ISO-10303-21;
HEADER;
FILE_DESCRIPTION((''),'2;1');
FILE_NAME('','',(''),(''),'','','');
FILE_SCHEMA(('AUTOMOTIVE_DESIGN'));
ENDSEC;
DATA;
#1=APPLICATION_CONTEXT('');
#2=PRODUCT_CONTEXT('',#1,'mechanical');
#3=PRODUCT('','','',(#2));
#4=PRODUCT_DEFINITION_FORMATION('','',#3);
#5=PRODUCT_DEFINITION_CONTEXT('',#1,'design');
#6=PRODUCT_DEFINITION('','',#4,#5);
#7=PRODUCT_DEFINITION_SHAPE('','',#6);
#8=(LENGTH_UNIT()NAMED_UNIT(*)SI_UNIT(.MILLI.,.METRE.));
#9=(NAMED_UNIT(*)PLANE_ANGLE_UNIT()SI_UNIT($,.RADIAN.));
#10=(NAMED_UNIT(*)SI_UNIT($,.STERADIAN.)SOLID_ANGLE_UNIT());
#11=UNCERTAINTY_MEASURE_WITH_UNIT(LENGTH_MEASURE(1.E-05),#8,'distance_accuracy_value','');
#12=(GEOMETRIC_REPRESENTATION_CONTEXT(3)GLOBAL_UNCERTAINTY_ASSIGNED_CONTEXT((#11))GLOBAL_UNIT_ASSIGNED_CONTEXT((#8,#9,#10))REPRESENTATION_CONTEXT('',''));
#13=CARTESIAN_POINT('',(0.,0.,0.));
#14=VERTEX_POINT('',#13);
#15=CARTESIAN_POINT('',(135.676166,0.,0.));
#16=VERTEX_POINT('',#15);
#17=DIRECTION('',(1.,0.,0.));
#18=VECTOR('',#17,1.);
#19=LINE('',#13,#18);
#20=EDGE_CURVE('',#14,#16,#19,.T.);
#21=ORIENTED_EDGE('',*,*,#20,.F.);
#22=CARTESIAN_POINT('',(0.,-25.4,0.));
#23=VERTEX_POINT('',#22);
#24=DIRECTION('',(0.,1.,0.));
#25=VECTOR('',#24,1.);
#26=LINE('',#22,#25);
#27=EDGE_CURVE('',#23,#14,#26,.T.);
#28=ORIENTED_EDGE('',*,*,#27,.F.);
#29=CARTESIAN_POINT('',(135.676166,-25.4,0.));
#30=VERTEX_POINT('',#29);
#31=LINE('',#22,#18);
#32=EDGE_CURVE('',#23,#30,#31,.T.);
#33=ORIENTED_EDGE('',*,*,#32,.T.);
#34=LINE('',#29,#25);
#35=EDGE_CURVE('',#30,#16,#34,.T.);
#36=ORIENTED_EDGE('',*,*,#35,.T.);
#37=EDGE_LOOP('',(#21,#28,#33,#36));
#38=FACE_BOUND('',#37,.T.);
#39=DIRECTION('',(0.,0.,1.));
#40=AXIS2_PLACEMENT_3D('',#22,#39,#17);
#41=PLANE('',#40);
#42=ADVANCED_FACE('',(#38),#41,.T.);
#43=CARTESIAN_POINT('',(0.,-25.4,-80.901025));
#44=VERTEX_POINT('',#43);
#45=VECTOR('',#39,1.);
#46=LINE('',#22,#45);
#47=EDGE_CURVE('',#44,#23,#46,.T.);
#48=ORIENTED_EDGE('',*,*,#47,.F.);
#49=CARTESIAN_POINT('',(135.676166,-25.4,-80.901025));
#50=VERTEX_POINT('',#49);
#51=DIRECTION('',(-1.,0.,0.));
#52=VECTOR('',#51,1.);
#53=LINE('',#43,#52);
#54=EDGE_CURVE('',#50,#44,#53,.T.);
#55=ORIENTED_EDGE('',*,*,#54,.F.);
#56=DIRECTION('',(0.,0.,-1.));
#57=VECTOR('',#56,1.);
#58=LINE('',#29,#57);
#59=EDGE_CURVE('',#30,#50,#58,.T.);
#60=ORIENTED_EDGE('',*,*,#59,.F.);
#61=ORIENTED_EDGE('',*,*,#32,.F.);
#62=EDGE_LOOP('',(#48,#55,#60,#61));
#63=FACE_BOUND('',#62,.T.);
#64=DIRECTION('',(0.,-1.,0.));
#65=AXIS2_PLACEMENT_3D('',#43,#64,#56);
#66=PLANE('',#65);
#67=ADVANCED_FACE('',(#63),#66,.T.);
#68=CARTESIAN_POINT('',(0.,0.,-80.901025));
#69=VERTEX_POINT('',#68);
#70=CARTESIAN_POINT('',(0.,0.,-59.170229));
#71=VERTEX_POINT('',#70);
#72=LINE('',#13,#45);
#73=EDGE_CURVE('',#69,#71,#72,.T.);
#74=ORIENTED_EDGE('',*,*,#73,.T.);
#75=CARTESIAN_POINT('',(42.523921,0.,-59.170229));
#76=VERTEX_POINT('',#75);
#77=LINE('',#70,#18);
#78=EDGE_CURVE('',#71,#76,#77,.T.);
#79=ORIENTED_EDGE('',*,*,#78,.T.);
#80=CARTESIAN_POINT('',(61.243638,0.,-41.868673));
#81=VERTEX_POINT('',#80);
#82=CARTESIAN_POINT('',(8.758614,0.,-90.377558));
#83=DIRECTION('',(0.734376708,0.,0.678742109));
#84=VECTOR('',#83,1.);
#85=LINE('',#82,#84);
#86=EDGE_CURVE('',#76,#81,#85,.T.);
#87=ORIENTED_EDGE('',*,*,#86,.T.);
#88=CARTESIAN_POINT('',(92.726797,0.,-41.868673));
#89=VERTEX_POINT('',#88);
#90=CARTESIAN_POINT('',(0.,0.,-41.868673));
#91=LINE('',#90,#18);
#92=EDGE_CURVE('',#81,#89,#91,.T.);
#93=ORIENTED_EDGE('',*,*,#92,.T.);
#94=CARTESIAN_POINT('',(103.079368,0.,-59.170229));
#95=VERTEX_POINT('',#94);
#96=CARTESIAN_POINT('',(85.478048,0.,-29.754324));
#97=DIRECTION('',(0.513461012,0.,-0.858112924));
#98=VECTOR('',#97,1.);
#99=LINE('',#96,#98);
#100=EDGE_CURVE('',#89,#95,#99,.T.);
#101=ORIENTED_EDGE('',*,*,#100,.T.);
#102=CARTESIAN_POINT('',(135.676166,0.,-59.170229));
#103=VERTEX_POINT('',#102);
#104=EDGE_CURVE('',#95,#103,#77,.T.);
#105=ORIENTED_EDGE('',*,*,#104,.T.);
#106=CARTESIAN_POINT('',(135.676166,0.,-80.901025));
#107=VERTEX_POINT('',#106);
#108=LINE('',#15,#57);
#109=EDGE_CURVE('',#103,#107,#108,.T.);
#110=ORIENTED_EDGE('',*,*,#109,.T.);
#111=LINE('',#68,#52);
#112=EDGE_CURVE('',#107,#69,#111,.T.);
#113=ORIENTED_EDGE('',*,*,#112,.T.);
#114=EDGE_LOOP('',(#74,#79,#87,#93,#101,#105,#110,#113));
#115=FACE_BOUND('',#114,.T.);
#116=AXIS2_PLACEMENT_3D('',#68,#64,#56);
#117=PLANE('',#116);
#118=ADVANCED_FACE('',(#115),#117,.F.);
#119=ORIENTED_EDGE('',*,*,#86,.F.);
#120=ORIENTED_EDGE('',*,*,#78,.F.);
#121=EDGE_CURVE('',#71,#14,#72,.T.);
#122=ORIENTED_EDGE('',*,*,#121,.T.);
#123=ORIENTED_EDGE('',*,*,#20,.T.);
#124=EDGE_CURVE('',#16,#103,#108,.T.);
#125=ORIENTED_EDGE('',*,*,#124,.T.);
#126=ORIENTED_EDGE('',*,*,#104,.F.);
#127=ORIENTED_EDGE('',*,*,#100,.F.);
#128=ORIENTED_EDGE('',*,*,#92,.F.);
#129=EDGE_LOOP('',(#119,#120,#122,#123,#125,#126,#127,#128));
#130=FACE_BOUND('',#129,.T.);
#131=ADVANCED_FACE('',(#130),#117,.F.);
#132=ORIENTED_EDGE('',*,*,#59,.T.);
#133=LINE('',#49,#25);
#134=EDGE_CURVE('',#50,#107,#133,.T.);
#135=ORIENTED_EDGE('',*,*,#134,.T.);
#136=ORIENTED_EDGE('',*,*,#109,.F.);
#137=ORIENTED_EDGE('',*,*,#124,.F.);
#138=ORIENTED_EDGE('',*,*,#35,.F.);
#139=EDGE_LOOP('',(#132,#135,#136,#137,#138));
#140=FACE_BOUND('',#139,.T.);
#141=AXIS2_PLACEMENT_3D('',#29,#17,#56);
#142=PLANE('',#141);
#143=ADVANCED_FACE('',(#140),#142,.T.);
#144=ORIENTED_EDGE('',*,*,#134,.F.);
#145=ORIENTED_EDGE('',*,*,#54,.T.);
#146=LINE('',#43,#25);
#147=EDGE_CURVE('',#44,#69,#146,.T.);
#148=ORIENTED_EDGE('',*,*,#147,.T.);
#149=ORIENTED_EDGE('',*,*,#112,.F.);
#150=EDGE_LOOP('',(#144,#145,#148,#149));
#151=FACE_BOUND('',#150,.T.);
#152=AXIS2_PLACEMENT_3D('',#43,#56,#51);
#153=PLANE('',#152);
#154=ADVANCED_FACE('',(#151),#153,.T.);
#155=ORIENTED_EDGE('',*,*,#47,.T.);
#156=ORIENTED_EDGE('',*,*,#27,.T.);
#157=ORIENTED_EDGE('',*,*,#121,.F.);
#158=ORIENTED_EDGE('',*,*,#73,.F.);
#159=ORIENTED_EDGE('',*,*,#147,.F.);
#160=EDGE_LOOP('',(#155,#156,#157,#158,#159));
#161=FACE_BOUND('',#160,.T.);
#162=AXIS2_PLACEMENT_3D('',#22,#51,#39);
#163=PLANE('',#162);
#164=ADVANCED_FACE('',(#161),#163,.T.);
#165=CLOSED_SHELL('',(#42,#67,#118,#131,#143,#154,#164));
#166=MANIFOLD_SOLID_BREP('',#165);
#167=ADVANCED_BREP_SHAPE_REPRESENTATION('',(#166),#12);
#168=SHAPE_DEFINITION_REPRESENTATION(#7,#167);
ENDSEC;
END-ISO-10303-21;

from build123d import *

# Parameters (mm, degrees)
SKETCH1_W      = 135.676166338
SKETCH1_H      = 80.901025057
EXTRUDE1_DEPTH = 25.4


with BuildPart() as part:
    # Sketch1 → Extrude1 (new body)
    with BuildSketch(Plane(origin=(0, 0, 0), x_dir=(1, 0, 0), z_dir=(0, 1, 0))):
        with Locations((67.838083169, 40.450512528)):
            Rectangle(SKETCH1_W, SKETCH1_H)
    extrude(amount=-EXTRUDE1_DEPTH)


solid = part.part
